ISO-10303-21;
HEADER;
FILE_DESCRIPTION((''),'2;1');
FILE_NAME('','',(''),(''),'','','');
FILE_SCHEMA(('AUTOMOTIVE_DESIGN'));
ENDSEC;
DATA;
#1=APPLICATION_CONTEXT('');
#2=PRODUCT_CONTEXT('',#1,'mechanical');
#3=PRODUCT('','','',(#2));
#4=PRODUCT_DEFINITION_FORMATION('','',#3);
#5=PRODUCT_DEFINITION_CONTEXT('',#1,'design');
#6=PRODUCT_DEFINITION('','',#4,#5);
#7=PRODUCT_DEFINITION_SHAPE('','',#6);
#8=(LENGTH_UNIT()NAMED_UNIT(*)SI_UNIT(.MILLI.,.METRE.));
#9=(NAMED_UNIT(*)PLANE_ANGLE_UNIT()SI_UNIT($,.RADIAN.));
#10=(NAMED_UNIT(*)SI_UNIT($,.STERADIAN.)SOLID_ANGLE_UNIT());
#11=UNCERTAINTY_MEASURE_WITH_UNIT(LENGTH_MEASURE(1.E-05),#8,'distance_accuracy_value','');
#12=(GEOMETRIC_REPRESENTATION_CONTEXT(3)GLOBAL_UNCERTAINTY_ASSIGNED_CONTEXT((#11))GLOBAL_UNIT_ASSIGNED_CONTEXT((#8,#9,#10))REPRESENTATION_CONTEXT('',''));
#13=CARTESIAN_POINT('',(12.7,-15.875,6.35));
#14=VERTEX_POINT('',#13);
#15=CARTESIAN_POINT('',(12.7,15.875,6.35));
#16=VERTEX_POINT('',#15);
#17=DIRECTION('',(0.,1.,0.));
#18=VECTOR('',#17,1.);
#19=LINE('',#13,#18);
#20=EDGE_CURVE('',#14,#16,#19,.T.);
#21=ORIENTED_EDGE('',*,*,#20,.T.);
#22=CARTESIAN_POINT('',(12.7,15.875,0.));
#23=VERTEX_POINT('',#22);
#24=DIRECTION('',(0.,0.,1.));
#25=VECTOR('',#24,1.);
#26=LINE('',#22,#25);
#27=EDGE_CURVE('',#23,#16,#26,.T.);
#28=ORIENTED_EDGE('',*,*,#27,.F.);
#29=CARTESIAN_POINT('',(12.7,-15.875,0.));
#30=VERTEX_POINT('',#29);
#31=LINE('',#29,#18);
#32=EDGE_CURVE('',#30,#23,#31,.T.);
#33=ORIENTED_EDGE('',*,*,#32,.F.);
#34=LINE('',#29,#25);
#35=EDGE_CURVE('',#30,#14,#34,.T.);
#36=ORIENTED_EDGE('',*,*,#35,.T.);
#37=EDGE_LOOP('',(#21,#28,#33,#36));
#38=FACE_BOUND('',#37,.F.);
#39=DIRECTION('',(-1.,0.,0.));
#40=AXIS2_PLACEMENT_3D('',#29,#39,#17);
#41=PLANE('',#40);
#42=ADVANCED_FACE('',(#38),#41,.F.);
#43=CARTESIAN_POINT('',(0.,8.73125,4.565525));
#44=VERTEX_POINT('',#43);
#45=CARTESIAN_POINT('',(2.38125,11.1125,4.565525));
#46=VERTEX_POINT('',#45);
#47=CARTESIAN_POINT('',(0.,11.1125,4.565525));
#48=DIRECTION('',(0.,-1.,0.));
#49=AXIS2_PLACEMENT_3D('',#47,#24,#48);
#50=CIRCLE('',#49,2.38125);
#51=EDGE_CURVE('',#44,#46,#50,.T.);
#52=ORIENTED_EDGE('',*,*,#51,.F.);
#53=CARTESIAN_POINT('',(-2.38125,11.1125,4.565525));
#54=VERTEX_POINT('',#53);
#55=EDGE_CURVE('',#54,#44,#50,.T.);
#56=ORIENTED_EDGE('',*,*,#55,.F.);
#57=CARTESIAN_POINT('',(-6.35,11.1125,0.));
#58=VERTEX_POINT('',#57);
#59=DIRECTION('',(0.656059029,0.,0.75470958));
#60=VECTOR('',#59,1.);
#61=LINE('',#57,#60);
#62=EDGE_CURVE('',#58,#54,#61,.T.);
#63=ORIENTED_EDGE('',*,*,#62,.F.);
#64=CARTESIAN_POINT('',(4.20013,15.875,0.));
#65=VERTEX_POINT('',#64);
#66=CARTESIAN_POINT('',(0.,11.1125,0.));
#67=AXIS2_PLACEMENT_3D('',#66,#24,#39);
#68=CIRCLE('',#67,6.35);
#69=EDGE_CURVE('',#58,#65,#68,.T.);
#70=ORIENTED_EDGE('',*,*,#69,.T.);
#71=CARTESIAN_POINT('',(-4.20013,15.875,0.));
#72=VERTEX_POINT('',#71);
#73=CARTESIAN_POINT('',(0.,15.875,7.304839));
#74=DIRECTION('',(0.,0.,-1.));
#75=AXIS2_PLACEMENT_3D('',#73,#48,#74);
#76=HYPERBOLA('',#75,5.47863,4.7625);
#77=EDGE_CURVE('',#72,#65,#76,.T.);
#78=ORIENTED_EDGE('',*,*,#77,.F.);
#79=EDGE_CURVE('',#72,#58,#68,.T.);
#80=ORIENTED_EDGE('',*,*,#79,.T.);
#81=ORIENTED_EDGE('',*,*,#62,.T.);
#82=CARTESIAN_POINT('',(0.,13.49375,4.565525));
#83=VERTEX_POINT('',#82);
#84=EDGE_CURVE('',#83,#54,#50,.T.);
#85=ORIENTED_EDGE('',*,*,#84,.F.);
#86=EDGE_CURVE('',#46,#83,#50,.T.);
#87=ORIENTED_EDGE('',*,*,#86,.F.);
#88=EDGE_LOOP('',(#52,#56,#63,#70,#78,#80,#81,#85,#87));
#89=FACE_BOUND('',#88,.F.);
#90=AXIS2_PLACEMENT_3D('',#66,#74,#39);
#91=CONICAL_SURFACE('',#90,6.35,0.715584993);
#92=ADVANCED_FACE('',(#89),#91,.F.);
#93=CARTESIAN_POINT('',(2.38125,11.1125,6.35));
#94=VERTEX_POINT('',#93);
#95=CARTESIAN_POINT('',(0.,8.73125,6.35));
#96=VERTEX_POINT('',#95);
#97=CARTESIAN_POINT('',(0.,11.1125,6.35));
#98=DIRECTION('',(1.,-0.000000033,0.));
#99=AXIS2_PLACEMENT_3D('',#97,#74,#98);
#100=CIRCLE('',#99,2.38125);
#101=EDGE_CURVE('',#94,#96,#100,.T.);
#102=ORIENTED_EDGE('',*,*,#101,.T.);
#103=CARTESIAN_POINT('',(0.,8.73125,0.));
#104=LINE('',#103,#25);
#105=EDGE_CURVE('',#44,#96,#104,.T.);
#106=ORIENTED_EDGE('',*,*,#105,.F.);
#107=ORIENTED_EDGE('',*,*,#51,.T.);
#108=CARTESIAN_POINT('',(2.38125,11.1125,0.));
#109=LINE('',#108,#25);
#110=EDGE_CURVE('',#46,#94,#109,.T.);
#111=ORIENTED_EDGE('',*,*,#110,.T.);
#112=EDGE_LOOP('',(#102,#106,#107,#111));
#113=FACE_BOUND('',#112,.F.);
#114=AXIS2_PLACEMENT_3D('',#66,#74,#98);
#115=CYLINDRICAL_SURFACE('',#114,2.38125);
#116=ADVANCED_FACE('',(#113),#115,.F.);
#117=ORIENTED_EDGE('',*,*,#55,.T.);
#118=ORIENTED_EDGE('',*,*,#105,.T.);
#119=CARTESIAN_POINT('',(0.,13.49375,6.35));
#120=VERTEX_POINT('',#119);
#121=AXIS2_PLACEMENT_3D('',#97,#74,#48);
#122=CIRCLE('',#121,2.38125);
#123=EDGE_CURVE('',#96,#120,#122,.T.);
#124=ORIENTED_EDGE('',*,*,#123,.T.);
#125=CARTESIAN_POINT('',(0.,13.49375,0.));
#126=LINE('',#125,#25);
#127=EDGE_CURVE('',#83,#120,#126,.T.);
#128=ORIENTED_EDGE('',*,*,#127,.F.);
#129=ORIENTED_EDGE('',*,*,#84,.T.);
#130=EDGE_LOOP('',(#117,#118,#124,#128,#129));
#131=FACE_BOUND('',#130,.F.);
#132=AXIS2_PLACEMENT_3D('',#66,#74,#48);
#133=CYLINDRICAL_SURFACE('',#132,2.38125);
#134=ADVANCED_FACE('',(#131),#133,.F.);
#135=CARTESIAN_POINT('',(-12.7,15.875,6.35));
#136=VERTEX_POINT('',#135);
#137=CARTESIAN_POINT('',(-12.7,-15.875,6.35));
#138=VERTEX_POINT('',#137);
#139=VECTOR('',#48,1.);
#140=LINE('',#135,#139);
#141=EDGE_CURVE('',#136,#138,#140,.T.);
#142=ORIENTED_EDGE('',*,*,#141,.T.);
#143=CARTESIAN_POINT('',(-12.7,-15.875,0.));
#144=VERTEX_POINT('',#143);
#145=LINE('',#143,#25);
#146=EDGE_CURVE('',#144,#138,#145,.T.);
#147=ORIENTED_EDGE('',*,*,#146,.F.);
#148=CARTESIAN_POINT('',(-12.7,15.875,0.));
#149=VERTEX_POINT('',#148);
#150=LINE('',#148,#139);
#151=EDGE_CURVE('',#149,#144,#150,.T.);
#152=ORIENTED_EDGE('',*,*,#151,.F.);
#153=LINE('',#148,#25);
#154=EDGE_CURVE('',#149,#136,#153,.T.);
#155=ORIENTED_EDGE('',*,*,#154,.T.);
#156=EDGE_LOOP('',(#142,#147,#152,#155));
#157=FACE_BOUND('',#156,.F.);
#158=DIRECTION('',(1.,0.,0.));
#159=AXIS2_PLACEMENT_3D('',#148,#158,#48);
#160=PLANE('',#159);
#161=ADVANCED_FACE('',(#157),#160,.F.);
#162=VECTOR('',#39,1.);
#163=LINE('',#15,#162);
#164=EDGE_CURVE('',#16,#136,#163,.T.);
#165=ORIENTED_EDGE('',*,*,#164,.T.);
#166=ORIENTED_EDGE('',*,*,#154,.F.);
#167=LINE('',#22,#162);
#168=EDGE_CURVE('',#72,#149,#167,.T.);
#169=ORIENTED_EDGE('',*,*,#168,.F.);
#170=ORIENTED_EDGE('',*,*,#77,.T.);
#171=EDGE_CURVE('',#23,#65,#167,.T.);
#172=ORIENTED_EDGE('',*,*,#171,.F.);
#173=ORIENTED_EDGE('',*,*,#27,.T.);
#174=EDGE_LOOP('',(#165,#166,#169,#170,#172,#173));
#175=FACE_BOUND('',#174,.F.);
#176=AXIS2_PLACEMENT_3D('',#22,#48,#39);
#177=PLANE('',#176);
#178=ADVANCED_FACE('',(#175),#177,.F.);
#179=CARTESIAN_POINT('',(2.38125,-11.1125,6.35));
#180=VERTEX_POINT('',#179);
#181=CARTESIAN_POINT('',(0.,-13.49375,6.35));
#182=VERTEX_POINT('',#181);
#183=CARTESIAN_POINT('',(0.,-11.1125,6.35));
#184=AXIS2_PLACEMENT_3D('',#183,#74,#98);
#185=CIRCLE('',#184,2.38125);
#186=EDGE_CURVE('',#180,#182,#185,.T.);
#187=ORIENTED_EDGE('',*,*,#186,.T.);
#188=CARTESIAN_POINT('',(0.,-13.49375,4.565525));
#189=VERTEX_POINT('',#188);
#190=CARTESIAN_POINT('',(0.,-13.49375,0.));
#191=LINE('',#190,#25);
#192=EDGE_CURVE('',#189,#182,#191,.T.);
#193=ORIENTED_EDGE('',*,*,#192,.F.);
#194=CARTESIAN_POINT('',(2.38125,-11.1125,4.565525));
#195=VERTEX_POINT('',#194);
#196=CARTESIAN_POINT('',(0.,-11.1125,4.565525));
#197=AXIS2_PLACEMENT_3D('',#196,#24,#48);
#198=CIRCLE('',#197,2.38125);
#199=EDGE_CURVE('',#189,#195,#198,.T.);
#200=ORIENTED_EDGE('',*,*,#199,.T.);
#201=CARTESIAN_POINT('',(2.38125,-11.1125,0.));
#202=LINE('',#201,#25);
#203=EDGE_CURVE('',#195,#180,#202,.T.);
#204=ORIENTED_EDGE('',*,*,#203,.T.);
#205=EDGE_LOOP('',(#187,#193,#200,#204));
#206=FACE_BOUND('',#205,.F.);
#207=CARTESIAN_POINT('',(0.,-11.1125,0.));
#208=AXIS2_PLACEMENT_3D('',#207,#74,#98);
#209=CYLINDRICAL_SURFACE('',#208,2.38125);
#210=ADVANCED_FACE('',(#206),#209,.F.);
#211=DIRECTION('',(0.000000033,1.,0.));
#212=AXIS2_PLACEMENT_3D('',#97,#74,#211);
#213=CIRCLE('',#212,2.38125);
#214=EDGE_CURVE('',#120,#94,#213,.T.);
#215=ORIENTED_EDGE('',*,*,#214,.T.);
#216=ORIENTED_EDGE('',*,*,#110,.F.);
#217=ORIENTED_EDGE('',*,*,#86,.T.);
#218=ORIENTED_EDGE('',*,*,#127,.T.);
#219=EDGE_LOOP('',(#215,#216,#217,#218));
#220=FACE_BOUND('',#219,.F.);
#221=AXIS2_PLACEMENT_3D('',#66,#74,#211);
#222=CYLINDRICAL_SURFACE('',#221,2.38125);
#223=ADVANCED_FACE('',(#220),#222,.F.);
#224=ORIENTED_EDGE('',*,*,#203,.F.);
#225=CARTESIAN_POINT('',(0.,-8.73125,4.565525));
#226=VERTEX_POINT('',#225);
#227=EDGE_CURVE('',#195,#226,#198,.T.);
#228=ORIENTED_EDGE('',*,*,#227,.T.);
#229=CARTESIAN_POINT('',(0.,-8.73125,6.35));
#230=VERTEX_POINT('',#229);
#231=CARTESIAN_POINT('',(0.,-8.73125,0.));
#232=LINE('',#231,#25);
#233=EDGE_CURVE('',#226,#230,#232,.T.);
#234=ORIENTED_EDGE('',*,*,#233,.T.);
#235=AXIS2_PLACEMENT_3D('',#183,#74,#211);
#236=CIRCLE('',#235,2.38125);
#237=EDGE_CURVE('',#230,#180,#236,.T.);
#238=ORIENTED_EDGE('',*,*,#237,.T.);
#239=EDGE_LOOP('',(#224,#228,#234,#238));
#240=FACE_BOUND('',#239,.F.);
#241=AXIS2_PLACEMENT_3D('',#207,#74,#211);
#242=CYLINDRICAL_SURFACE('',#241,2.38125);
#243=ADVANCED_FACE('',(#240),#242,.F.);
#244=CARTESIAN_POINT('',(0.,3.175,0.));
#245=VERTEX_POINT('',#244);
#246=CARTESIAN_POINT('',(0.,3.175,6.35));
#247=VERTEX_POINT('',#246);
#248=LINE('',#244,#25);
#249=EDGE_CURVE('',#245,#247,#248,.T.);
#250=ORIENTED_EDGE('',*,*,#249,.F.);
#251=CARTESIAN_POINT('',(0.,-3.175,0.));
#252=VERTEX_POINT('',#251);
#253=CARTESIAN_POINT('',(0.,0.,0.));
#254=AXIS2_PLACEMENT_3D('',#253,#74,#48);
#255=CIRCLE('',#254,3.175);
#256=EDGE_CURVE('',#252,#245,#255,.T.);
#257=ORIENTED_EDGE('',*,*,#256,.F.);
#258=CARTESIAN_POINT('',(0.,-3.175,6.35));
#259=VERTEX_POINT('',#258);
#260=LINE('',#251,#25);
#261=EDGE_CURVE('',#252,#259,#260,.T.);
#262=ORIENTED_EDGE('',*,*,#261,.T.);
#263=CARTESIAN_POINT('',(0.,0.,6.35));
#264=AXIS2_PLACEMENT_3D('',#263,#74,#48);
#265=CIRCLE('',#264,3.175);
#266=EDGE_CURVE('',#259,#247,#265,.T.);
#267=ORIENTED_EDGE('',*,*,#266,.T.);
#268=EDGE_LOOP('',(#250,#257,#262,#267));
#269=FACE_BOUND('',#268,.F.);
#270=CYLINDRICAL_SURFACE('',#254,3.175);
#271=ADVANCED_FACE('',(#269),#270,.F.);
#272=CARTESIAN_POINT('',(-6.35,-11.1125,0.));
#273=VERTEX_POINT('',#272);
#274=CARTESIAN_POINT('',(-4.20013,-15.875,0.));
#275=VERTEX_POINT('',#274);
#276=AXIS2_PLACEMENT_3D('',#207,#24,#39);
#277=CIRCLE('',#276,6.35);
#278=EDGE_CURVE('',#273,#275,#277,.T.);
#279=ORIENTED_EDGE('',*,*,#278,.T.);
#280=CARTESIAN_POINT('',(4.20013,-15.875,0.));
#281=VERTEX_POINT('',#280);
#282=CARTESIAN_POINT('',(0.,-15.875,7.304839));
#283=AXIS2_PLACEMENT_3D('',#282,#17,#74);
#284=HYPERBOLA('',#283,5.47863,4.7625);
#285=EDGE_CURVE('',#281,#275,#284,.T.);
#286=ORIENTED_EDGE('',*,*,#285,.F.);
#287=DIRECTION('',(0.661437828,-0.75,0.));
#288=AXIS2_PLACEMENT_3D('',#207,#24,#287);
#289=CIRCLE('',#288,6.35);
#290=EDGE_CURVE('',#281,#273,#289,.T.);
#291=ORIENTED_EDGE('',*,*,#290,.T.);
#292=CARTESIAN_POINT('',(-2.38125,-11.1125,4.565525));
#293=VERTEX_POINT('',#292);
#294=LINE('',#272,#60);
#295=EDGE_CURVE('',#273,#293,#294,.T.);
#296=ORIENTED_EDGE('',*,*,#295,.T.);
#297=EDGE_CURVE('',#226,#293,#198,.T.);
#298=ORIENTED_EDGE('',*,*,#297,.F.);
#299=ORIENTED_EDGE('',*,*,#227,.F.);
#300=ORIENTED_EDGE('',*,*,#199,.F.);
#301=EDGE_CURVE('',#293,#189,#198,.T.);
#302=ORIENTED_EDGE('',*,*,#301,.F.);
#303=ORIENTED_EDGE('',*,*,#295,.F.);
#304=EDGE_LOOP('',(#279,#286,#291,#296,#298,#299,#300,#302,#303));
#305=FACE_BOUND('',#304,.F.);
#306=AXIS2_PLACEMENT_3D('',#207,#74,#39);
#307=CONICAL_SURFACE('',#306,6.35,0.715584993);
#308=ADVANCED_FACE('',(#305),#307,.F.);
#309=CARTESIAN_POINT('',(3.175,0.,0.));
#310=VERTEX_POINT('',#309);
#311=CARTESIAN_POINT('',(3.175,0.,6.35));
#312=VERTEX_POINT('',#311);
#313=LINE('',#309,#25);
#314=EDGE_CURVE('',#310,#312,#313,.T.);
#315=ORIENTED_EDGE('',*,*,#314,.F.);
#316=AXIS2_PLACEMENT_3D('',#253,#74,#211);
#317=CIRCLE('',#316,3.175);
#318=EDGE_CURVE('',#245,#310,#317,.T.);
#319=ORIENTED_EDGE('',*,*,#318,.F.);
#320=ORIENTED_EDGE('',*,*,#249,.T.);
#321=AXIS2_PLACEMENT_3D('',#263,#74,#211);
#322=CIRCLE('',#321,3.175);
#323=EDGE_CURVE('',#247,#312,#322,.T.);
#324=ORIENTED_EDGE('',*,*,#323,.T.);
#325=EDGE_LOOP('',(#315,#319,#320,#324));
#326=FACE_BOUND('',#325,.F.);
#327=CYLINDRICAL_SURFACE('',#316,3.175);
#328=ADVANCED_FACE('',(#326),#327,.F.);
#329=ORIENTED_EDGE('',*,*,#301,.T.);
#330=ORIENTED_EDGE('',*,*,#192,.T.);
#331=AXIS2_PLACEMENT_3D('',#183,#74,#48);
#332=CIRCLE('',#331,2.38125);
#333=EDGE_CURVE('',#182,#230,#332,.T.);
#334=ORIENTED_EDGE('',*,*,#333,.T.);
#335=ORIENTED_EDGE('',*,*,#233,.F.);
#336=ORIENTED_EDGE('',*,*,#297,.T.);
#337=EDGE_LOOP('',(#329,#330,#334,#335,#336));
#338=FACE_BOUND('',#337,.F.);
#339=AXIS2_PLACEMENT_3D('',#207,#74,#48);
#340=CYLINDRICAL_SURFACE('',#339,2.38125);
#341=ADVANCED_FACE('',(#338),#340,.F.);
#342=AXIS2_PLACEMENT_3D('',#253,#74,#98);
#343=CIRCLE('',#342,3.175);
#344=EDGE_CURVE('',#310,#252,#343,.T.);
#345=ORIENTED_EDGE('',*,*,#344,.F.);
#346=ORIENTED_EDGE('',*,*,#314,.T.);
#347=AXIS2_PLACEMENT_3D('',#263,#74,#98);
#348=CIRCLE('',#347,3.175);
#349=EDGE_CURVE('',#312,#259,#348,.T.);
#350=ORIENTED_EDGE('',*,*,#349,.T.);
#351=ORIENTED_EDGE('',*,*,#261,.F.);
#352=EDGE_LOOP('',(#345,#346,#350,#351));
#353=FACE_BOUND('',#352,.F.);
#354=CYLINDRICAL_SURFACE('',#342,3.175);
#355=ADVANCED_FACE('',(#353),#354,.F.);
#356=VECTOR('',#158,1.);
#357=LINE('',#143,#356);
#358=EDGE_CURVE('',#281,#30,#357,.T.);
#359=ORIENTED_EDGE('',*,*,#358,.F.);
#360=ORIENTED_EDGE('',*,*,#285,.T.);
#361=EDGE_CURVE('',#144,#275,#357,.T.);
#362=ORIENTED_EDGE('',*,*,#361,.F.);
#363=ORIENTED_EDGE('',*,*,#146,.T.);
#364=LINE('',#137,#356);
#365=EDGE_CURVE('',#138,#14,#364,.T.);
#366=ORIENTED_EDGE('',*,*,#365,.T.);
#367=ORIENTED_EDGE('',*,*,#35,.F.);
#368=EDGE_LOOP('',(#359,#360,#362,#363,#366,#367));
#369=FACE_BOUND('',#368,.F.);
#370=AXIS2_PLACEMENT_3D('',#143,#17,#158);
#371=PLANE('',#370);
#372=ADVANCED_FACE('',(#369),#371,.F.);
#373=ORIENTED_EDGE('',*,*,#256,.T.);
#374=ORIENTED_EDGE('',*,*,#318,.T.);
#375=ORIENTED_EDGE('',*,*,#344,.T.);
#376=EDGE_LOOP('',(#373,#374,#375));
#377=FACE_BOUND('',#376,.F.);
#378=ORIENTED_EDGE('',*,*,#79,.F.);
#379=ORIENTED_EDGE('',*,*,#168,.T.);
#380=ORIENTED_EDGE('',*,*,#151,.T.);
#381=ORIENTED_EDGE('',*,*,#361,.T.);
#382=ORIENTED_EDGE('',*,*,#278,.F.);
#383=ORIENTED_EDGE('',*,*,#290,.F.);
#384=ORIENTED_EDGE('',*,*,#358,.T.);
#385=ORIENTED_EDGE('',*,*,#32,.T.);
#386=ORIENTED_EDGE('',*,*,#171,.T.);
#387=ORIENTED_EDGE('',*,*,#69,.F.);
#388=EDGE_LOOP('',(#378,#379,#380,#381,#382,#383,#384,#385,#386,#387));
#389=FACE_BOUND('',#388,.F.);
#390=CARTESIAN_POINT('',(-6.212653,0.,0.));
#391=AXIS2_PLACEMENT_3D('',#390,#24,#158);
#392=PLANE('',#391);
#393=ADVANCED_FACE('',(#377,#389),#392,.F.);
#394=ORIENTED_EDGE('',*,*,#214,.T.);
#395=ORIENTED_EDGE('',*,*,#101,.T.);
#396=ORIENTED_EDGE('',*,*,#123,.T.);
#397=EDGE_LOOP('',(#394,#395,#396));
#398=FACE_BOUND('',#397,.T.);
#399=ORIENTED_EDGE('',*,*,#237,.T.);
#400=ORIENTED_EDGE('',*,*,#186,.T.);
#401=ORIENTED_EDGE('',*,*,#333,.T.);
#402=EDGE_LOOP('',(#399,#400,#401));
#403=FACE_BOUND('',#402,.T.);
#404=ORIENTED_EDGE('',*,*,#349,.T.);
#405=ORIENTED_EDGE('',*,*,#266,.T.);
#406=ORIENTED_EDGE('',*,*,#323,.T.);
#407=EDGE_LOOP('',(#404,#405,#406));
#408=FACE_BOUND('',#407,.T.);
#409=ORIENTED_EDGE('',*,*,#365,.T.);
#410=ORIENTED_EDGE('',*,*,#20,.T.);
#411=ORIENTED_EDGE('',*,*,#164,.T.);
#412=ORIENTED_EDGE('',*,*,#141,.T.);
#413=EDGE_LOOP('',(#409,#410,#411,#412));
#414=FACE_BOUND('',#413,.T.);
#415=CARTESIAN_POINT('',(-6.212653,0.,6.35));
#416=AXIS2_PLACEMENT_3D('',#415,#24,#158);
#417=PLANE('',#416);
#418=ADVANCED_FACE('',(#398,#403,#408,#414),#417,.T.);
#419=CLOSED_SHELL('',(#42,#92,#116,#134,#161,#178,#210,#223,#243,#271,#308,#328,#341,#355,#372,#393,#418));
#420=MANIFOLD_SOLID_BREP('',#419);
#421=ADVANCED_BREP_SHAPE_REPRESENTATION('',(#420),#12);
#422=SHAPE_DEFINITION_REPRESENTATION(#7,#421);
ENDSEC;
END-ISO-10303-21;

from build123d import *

# Parameters (mm, degrees)
F1_DEPTH       = 6.35
F2_D           = 4.7625
F2_CSINK_D     = 12.7
F2_CSINK_ANGLE = 82


with BuildPart() as f1:
    # F0 (on Top) → F1 (new body)
    with BuildSketch(Plane.XY):
        with BuildLine():
            Line((-12.7, 15.875), (-12.7, -15.875))
            Line((-12.7, -15.875), (0, -15.875))
            Line((0, -15.875), (0, -13.49375))
            ThreePointArc((0, -13.49375), (-2.38125, -11.1125), (0, -8.73125))
            Line((0, -8.73125), (0, -3.175))
            ThreePointArc((0, -3.175), (-3.175, 0), (0, 3.175))
            Line((0, 3.175), (0, 8.73125))
            ThreePointArc((0, 8.73125), (-2.38125, 11.1125), (0, 13.49375))
            Line((0, 13.49375), (0, 15.875))
            Line((0, 15.875), (-12.7, 15.875))
        make_face()
        with BuildLine():
            Line((0, -13.49375), (0, -15.875))
            Line((0, -15.875), (12.7, -15.875))
            Line((12.7, -15.875), (12.7, 15.875))
            Line((12.7, 15.875), (0, 15.875))
            Line((0, 15.875), (0, 13.49375))
            ThreePointArc((0, 13.49375), (1.683798, 12.796298), (2.38125, 11.1125))
            ThreePointArc((2.38125, 11.1125), (1.683798, 9.428702), (0, 8.73125))
            Line((0, 8.73125), (0, 3.175))
            ThreePointArc((0, 3.175), (2.245064, 2.245064), (3.175, 0))
            ThreePointArc((3.175, 0), (2.245064, -2.245064), (0, -3.175))
            Line((0, -3.175), (0, -8.73125))
            ThreePointArc((0, -8.73125), (1.683798, -9.428702), (2.38125, -11.1125))
            ThreePointArc((2.38125, -11.1125), (1.683798, -12.796298), (0, -13.49375))
        make_face()
    extrude(amount=F1_DEPTH)

    # F2 (through all)
    with Locations(Plane(origin=(0, 0, 0), x_dir=(1, 0, 0), z_dir=(0, 0, -1))):
        with Locations((0, 11.1125), (0, -11.1125)):
            CounterSinkHole(F2_D / 2, F2_CSINK_D / 2, counter_sink_angle=F2_CSINK_ANGLE)


solid = f1.part
